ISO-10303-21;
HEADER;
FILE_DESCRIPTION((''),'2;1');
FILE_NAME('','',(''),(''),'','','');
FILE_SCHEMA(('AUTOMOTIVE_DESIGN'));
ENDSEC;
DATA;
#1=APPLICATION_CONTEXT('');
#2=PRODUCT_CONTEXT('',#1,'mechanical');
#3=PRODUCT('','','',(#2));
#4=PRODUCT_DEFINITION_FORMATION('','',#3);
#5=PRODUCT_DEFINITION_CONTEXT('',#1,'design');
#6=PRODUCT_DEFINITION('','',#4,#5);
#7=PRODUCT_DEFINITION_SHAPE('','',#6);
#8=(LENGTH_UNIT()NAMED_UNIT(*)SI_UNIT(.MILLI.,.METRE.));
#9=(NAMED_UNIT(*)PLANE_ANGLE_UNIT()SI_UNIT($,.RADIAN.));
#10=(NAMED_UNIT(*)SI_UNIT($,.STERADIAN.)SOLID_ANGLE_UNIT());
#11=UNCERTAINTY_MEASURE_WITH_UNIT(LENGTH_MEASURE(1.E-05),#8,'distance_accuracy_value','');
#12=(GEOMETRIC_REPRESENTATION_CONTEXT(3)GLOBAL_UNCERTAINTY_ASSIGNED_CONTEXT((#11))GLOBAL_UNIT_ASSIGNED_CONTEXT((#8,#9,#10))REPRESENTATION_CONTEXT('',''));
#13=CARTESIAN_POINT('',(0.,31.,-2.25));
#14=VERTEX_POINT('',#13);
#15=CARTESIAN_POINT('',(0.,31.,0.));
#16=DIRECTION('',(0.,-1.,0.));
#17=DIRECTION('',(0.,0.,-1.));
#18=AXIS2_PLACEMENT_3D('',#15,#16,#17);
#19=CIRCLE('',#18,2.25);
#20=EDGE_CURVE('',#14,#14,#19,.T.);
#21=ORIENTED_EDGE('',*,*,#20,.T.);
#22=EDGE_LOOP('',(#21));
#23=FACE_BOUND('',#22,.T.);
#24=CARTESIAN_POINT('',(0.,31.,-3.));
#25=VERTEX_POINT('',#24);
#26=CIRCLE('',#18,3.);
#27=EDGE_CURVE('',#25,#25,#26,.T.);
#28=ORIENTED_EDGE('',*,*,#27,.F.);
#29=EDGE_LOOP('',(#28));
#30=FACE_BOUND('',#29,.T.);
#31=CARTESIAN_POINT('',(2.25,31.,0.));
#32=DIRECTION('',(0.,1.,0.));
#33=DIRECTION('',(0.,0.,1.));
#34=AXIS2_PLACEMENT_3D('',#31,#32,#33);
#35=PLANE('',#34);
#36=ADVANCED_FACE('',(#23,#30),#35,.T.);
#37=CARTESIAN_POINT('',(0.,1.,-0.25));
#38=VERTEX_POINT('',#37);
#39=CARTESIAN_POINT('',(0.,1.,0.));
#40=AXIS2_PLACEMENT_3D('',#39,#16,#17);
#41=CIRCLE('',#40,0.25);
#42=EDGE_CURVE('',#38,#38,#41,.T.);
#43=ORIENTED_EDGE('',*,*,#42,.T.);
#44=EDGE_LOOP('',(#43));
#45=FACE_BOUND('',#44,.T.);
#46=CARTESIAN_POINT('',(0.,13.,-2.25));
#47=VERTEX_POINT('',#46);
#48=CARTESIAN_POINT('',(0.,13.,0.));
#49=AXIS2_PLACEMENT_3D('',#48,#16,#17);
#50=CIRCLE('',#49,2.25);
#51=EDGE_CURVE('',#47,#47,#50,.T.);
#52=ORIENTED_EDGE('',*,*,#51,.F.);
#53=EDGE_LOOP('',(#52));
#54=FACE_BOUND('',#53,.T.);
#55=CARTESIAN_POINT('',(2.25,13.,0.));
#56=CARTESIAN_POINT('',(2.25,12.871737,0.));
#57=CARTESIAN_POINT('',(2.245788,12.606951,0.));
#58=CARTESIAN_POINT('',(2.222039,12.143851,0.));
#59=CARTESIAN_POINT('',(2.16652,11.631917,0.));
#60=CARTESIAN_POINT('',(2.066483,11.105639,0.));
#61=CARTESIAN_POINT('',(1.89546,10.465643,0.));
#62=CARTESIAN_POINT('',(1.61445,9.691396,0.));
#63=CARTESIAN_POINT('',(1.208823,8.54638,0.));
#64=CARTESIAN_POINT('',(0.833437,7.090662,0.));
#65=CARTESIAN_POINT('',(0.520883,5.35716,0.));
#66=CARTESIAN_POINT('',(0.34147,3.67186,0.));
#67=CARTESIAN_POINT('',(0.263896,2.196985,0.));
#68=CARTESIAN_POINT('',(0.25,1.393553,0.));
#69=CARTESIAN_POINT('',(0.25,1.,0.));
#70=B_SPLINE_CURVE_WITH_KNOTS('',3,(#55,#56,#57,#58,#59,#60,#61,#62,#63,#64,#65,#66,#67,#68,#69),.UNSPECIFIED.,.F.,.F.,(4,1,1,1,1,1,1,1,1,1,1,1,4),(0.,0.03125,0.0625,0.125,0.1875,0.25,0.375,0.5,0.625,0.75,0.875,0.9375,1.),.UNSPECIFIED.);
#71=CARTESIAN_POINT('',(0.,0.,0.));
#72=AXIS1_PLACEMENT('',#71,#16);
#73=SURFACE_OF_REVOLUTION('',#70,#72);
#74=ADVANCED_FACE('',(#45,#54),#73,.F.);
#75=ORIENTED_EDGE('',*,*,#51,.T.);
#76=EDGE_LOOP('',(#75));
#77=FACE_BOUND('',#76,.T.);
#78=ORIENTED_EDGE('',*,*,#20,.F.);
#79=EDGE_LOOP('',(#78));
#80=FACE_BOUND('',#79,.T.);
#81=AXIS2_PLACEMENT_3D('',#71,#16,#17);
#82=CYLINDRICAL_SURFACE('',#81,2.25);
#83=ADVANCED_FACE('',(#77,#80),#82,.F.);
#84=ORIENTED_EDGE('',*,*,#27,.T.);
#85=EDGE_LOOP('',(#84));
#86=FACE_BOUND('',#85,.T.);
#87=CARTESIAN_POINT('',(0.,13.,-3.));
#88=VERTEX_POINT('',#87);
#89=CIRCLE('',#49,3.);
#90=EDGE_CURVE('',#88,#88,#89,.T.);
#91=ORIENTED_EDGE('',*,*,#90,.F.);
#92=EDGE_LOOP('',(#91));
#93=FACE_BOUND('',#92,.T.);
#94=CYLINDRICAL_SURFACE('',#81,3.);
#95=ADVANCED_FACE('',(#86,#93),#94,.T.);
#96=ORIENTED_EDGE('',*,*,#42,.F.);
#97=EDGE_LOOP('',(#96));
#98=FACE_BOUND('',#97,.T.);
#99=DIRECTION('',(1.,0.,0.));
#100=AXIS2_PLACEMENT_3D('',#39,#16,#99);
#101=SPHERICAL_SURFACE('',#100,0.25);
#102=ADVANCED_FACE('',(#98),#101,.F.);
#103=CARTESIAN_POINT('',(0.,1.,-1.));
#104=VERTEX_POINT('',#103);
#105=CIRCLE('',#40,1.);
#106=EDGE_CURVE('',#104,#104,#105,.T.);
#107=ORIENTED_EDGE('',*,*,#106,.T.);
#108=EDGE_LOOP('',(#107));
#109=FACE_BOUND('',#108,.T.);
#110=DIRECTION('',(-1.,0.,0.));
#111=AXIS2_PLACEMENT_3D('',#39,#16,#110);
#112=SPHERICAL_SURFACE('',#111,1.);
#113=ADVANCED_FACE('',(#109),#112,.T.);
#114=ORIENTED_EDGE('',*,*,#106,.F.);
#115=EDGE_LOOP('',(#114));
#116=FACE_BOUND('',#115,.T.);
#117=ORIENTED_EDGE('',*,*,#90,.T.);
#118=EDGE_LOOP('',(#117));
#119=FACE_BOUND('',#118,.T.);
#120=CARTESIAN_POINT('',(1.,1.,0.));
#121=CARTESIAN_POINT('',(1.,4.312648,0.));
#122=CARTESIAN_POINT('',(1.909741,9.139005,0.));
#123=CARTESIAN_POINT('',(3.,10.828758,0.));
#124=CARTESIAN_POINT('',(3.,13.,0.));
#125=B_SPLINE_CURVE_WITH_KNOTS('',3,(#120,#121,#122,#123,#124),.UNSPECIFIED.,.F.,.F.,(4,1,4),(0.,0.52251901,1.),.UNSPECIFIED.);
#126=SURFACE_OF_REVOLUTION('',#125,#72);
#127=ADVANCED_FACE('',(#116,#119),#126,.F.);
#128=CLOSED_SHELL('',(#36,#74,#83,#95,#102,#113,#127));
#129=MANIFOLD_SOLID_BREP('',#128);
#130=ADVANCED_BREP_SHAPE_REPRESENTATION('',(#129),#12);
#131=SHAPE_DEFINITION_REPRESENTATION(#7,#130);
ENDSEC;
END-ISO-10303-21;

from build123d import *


with BuildPart() as part:
    # Esquisse1 → Révolution1 (revolve)
    with BuildSketch(Plane.XY, mode=Mode.PRIVATE) as r_volution1_sk:
        with BuildLine():
            Line((3, 31), (3, 13))
            add(Edge.make_bspline(
                [(3, 13), (3, 10.828758266), (1.909740875, 9.139005261), (1, 4.312648173), (1, 1)],
                knots=[0, 0, 0, 0, 0.47748099, 1, 1, 1, 1], degree=3))
            ThreePointArc((1, 1), (0.707106781, 0.292893219), (0, 0))
            Line((0, 0), (0, 0.75))
            ThreePointArc((0, 0.75), (0.176776695, 0.823223305), (0.25, 1))
            add(Edge.make_bspline(
                [(2.25, 13), (2.25, 12.871737196), (2.245787574, 12.606951452), (2.222038955, 12.143851429), (2.166520076, 11.631917095), (2.066483378, 11.10563901), (1.895459566, 10.465643066), (1.614449871, 9.691395741), (1.208823224, 8.54637983), (0.833436633, 7.090662144), (0.520883429, 5.357160432), (0.341470293, 3.671860451), (0.263896436, 2.196984926), (0.25, 1.39355257), (0.25, 1)],
                knots=[0, 0, 0, 0, 0.03125, 0.0625, 0.125, 0.1875, 0.25, 0.375, 0.5, 0.625, 0.75, 0.875, 0.9375, 1, 1, 1, 1], degree=3))
            Line((2.25, 13), (2.25, 31))
            Line((2.25, 31), (3, 31))
        make_face()
    revolve(r_volution1_sk.sketch.rotate(Axis((0, 0, 0), (0, 1, 0)), 90), axis=Axis((0, 0, 0), (0, 1, 0)))


solid = part.part
